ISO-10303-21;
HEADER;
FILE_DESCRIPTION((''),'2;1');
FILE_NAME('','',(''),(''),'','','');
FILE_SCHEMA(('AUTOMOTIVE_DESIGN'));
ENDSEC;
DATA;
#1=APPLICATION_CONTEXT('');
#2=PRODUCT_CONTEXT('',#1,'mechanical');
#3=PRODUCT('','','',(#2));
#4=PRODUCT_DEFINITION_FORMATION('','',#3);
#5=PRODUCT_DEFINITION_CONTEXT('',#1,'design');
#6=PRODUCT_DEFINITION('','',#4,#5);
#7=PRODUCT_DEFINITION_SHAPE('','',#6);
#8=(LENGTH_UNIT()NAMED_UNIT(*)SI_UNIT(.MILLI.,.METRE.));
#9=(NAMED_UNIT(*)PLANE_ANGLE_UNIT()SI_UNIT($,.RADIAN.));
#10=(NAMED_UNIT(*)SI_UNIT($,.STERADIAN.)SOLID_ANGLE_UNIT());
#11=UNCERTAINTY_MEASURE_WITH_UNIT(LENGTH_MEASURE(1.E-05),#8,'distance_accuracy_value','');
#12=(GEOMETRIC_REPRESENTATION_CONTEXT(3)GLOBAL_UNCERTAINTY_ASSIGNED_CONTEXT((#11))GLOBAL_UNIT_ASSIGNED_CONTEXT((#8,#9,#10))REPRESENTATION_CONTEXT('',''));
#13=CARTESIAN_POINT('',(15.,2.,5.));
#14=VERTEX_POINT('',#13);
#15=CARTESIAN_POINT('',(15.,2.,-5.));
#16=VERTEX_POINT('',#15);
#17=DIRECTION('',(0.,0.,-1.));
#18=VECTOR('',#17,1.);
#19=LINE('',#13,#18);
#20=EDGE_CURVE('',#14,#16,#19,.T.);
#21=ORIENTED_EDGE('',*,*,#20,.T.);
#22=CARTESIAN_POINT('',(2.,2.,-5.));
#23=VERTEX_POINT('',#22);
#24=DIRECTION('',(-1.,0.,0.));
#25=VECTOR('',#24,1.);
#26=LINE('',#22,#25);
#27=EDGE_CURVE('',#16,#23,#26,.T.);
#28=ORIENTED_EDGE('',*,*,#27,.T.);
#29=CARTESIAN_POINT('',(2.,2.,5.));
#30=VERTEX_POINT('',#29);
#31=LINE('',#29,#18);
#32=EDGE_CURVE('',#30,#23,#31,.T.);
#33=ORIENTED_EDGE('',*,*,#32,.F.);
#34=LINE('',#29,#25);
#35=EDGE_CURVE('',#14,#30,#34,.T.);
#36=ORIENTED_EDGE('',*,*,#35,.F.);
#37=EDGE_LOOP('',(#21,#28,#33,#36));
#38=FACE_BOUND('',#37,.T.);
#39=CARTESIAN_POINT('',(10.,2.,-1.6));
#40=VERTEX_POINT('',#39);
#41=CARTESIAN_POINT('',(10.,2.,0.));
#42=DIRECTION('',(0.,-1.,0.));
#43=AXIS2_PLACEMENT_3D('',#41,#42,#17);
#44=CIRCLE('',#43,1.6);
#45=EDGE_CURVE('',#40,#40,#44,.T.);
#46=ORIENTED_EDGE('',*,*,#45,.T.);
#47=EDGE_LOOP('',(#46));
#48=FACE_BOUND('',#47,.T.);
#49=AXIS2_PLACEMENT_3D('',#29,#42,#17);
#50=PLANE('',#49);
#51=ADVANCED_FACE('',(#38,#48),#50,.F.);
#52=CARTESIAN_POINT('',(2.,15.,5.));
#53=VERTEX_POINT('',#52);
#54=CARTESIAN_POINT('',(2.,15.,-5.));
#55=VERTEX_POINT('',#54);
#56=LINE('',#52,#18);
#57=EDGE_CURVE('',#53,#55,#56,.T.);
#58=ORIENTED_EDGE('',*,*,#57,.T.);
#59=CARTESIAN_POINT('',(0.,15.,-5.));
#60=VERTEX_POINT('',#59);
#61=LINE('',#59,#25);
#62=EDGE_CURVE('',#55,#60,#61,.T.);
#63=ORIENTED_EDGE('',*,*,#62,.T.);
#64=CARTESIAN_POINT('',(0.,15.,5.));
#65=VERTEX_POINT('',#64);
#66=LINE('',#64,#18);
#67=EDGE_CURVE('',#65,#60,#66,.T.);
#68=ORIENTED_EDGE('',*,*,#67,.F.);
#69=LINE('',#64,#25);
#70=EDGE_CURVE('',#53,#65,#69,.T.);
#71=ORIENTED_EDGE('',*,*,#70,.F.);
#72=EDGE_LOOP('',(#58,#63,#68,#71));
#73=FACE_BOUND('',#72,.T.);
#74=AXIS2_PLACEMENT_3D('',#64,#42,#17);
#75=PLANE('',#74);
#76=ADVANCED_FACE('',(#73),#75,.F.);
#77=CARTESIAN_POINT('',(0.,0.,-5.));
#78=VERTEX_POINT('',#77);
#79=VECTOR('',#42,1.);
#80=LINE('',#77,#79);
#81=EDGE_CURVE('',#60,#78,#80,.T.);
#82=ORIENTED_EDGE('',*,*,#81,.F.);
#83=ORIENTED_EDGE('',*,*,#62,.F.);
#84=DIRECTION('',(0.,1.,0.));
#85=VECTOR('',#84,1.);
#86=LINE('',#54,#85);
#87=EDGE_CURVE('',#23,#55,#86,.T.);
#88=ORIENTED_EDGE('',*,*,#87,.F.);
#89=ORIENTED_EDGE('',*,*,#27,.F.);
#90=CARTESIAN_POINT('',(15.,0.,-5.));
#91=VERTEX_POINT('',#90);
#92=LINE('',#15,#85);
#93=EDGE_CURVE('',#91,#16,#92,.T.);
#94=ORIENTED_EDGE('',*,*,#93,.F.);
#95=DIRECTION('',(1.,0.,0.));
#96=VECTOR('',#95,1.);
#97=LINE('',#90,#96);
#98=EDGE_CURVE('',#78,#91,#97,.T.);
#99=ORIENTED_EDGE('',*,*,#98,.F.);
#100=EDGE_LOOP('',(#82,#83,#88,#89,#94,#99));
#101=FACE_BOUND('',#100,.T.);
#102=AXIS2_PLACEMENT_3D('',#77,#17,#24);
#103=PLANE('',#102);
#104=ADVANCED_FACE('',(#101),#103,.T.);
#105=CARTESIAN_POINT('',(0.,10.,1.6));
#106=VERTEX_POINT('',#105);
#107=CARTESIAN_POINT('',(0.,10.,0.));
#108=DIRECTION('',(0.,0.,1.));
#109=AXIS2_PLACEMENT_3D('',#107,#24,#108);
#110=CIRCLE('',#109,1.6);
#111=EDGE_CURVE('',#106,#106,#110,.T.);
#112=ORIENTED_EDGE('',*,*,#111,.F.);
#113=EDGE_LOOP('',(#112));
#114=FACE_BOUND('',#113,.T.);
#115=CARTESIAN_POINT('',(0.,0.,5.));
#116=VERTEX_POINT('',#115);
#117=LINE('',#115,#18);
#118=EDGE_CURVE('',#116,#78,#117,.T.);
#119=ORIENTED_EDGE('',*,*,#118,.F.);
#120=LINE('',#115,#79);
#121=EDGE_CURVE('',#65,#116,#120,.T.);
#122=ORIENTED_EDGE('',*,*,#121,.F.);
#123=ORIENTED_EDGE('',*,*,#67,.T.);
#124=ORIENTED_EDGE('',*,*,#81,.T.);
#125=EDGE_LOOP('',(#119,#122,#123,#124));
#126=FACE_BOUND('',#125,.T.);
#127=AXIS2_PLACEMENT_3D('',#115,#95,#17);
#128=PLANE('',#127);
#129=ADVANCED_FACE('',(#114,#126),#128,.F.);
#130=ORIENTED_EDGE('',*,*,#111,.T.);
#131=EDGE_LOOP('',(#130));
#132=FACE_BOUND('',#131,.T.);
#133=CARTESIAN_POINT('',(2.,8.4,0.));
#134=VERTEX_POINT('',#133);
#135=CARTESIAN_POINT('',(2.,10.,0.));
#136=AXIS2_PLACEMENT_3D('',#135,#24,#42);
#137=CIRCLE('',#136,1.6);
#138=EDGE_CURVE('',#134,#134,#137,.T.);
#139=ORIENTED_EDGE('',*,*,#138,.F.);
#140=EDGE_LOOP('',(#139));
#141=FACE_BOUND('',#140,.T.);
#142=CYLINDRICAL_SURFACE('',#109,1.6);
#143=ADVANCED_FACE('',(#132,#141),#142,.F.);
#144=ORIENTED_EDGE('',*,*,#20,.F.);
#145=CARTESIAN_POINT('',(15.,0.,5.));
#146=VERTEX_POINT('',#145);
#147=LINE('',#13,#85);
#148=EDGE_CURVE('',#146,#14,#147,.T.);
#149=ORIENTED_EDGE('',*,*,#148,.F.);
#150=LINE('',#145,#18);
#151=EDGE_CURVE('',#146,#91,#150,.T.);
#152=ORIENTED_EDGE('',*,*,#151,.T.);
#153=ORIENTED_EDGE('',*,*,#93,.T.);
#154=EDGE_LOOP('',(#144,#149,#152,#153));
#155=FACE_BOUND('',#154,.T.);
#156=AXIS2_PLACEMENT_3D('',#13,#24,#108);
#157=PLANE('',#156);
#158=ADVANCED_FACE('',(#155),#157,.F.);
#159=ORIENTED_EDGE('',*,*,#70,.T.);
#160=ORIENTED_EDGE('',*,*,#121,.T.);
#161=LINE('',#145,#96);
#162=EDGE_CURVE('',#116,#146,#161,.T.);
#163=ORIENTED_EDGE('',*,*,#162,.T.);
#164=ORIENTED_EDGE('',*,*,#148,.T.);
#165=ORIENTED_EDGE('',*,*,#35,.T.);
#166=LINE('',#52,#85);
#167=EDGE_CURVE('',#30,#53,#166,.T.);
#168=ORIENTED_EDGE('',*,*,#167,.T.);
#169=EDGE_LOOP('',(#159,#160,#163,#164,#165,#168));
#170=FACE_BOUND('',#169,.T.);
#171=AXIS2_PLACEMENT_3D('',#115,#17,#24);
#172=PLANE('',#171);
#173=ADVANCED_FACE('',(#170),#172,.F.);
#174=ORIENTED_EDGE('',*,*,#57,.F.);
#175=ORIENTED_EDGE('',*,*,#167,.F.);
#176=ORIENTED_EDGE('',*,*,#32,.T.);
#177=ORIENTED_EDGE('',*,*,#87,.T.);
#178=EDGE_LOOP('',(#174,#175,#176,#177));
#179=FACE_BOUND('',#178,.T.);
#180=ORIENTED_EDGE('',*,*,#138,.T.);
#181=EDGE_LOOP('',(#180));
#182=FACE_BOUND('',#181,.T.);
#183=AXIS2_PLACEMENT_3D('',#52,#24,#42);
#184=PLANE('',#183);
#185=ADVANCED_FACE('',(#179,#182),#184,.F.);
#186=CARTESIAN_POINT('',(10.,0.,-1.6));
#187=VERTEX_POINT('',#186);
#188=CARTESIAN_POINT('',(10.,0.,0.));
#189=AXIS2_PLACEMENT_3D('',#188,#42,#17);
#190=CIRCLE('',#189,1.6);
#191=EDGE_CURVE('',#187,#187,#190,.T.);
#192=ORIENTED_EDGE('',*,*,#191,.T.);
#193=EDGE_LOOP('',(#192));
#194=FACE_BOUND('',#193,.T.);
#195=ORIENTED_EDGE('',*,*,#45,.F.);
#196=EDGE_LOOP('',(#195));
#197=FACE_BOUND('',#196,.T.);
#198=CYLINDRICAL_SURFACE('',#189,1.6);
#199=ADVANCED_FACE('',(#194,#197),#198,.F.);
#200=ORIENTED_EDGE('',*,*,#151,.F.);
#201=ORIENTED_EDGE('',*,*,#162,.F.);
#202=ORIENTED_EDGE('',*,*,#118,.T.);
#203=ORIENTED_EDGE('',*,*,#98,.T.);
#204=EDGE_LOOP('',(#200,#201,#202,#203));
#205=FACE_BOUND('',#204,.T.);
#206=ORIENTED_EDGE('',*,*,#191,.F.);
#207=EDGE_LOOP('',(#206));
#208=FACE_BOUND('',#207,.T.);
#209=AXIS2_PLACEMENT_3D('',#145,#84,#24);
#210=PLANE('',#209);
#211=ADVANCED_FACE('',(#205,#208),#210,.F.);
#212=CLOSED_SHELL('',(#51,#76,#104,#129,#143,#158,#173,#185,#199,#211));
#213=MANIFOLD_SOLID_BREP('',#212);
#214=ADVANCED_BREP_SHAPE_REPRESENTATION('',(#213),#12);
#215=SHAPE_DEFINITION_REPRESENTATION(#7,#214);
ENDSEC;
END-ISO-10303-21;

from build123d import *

# Parameters (mm, degrees)
BASE_DEPTH                       = 5
F_3_2_3_2_MOUNTHOLES_D           = 3.2
F_3_2_3_2_MOUNTHOLES_ON_FACE_2_D = 3.2


with BuildPart() as part:
    # Sketch1 → Base (new body, symmetric)
    with BuildSketch(Plane.XY):
        Polygon((0, 0), (0, 15), (2, 15), (2, 2), (15, 2), (15, 0), align=None)
    extrude(amount=BASE_DEPTH, both=True)

    # Ø3.2 (3.2) MountHoles (through all)
    with Locations(Plane(origin=(0, 10, 0), x_dir=(0, 0, -1), z_dir=(-1, 0, 0))):
        with Locations((0, 0)):
            Hole(F_3_2_3_2_MOUNTHOLES_D / 2)

    # Ø3.2 (3.2) MountHoles on face 2 (through all)
    with Locations(Plane(origin=(10, 0, 0), x_dir=(0, 0, -1), z_dir=(0, -1, 0))):
        with Locations((0, 0)):
            Hole(F_3_2_3_2_MOUNTHOLES_ON_FACE_2_D / 2)


solid = part.part
